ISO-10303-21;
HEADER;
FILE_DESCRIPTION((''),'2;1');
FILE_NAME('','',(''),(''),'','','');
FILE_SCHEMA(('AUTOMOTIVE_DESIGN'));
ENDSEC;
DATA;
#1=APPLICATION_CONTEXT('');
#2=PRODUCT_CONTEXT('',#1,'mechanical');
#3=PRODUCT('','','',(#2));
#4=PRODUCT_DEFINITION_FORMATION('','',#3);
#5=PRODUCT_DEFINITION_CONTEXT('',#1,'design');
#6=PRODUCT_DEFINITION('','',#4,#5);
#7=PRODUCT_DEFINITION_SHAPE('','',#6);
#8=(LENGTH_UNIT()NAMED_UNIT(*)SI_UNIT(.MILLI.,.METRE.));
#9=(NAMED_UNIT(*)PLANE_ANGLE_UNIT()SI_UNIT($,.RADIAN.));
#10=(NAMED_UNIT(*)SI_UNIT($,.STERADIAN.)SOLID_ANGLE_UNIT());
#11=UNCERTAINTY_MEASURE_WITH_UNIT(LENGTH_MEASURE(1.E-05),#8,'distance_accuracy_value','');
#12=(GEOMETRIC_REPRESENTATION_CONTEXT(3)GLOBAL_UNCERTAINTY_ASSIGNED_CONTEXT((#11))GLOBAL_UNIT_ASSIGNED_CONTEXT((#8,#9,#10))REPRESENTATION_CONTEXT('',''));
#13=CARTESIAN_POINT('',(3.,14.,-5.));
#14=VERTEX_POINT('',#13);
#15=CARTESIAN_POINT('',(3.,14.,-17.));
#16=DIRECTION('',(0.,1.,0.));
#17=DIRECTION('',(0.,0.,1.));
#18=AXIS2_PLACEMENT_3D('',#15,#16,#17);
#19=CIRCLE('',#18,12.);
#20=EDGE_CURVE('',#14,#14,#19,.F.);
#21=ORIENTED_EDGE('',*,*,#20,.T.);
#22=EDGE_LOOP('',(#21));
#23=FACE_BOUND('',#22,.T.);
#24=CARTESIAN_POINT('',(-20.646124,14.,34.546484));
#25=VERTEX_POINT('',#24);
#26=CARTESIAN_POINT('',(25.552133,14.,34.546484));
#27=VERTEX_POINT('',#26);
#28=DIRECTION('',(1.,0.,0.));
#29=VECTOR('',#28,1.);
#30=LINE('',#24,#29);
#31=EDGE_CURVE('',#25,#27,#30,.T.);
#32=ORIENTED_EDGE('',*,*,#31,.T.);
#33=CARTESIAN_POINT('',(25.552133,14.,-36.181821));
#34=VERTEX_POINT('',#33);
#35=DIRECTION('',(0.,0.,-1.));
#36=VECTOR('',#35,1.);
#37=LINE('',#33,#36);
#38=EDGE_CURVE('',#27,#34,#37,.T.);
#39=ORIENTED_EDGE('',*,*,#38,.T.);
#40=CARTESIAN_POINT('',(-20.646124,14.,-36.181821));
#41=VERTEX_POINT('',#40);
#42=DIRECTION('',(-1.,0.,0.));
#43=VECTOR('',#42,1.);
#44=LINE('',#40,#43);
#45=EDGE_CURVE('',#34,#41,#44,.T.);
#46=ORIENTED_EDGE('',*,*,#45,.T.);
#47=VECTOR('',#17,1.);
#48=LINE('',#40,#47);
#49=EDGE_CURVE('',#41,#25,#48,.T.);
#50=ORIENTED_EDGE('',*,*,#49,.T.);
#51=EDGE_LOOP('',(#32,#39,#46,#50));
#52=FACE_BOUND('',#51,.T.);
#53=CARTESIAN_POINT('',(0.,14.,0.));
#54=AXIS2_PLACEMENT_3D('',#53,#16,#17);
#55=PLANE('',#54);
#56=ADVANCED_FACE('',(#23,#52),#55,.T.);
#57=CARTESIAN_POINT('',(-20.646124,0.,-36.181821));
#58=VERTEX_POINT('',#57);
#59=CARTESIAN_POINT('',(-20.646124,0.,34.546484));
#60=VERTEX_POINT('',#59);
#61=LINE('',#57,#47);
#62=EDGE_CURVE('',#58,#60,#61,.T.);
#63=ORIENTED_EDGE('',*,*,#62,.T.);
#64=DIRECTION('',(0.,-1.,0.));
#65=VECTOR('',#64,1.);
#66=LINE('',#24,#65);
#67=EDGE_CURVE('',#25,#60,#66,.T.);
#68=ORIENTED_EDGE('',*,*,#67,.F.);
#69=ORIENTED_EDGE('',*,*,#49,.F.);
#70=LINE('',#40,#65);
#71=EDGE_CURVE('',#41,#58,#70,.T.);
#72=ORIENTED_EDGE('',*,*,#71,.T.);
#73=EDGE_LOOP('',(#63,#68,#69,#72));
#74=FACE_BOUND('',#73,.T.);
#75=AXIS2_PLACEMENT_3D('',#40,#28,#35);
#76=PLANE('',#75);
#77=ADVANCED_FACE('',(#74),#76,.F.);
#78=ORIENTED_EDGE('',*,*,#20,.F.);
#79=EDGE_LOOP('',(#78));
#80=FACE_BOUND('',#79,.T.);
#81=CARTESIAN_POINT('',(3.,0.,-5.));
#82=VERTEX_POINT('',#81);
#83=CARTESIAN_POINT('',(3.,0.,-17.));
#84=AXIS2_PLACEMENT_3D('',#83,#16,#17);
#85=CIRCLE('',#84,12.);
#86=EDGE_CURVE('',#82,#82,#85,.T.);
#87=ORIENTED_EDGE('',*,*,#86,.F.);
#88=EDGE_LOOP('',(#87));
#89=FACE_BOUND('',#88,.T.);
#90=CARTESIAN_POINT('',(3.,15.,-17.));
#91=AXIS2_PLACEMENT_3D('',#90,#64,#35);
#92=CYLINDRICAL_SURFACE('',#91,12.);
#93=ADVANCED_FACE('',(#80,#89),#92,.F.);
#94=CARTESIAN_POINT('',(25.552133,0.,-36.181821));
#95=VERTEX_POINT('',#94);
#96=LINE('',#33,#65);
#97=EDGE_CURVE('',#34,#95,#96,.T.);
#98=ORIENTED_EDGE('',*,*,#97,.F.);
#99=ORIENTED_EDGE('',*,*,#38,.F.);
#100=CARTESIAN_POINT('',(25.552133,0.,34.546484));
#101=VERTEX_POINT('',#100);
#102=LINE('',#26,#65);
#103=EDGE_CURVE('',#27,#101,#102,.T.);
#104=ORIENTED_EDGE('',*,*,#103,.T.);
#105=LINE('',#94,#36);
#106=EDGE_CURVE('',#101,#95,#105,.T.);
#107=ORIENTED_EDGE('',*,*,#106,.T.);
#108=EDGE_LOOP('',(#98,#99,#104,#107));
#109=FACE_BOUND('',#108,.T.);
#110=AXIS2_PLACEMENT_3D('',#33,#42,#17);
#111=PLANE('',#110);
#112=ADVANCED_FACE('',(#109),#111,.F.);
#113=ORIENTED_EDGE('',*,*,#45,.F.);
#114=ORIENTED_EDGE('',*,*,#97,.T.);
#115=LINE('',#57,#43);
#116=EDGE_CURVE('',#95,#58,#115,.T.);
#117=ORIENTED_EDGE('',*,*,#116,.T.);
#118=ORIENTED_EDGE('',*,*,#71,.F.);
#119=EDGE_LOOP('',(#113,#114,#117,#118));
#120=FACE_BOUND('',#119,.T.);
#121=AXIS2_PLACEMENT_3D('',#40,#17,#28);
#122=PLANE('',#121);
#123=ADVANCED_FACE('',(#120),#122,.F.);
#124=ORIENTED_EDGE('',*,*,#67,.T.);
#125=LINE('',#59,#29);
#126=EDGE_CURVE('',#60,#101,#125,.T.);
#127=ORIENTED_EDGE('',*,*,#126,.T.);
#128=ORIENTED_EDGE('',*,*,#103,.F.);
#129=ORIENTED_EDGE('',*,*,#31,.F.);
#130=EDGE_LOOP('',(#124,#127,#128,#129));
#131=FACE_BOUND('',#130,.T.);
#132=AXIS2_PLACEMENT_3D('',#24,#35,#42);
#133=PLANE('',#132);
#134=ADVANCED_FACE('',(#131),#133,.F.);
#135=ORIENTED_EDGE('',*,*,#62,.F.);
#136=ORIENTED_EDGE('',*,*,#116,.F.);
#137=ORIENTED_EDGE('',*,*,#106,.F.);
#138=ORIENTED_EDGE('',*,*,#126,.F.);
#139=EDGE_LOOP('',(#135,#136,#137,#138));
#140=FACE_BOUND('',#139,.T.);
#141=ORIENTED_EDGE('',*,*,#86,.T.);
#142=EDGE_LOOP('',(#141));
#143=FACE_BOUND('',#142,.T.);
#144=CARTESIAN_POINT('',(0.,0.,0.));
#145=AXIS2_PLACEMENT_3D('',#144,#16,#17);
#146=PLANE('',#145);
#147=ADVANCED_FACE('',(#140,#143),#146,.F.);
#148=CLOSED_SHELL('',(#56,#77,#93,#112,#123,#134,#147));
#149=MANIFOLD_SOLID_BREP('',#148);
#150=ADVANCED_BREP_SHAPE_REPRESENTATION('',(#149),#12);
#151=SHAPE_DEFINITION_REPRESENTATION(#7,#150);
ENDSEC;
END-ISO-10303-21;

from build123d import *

# Parameters (mm, degrees)
IZIM1_W                     = 46.198257095
IZIM1_H                     = 70.728305111
Y_KSEKLIK_EKSTR_ZYON1_DEPTH = 14
IZIM2_R                     = 12
KES_EKSTR_ZYON1_DEPTH       = 15


with BuildPart() as part:
    # Çizim1 → Yükseklik-Ekstrüzyon1 (new body)
    with BuildSketch(Plane(origin=(0, 0, 0), x_dir=(1, 0, 0), z_dir=(0, 1, 0))):
        with Locations((2.453004802, 0.817668268)):
            Rectangle(IZIM1_W, IZIM1_H)
    extrude(amount=Y_KSEKLIK_EKSTR_ZYON1_DEPTH)

    # Çizim2 → Kes-Ekstrüzyon1 (cut)
    with BuildSketch(Plane(origin=(0, 0, 0), x_dir=(1, 0, 0), z_dir=(0, 1, 0))):
        with Locations(Location((3, 17, 0), (0, 0, 270))):
            Circle(IZIM2_R)
    extrude(amount=KES_EKSTR_ZYON1_DEPTH, mode=Mode.SUBTRACT)


solid = part.part
